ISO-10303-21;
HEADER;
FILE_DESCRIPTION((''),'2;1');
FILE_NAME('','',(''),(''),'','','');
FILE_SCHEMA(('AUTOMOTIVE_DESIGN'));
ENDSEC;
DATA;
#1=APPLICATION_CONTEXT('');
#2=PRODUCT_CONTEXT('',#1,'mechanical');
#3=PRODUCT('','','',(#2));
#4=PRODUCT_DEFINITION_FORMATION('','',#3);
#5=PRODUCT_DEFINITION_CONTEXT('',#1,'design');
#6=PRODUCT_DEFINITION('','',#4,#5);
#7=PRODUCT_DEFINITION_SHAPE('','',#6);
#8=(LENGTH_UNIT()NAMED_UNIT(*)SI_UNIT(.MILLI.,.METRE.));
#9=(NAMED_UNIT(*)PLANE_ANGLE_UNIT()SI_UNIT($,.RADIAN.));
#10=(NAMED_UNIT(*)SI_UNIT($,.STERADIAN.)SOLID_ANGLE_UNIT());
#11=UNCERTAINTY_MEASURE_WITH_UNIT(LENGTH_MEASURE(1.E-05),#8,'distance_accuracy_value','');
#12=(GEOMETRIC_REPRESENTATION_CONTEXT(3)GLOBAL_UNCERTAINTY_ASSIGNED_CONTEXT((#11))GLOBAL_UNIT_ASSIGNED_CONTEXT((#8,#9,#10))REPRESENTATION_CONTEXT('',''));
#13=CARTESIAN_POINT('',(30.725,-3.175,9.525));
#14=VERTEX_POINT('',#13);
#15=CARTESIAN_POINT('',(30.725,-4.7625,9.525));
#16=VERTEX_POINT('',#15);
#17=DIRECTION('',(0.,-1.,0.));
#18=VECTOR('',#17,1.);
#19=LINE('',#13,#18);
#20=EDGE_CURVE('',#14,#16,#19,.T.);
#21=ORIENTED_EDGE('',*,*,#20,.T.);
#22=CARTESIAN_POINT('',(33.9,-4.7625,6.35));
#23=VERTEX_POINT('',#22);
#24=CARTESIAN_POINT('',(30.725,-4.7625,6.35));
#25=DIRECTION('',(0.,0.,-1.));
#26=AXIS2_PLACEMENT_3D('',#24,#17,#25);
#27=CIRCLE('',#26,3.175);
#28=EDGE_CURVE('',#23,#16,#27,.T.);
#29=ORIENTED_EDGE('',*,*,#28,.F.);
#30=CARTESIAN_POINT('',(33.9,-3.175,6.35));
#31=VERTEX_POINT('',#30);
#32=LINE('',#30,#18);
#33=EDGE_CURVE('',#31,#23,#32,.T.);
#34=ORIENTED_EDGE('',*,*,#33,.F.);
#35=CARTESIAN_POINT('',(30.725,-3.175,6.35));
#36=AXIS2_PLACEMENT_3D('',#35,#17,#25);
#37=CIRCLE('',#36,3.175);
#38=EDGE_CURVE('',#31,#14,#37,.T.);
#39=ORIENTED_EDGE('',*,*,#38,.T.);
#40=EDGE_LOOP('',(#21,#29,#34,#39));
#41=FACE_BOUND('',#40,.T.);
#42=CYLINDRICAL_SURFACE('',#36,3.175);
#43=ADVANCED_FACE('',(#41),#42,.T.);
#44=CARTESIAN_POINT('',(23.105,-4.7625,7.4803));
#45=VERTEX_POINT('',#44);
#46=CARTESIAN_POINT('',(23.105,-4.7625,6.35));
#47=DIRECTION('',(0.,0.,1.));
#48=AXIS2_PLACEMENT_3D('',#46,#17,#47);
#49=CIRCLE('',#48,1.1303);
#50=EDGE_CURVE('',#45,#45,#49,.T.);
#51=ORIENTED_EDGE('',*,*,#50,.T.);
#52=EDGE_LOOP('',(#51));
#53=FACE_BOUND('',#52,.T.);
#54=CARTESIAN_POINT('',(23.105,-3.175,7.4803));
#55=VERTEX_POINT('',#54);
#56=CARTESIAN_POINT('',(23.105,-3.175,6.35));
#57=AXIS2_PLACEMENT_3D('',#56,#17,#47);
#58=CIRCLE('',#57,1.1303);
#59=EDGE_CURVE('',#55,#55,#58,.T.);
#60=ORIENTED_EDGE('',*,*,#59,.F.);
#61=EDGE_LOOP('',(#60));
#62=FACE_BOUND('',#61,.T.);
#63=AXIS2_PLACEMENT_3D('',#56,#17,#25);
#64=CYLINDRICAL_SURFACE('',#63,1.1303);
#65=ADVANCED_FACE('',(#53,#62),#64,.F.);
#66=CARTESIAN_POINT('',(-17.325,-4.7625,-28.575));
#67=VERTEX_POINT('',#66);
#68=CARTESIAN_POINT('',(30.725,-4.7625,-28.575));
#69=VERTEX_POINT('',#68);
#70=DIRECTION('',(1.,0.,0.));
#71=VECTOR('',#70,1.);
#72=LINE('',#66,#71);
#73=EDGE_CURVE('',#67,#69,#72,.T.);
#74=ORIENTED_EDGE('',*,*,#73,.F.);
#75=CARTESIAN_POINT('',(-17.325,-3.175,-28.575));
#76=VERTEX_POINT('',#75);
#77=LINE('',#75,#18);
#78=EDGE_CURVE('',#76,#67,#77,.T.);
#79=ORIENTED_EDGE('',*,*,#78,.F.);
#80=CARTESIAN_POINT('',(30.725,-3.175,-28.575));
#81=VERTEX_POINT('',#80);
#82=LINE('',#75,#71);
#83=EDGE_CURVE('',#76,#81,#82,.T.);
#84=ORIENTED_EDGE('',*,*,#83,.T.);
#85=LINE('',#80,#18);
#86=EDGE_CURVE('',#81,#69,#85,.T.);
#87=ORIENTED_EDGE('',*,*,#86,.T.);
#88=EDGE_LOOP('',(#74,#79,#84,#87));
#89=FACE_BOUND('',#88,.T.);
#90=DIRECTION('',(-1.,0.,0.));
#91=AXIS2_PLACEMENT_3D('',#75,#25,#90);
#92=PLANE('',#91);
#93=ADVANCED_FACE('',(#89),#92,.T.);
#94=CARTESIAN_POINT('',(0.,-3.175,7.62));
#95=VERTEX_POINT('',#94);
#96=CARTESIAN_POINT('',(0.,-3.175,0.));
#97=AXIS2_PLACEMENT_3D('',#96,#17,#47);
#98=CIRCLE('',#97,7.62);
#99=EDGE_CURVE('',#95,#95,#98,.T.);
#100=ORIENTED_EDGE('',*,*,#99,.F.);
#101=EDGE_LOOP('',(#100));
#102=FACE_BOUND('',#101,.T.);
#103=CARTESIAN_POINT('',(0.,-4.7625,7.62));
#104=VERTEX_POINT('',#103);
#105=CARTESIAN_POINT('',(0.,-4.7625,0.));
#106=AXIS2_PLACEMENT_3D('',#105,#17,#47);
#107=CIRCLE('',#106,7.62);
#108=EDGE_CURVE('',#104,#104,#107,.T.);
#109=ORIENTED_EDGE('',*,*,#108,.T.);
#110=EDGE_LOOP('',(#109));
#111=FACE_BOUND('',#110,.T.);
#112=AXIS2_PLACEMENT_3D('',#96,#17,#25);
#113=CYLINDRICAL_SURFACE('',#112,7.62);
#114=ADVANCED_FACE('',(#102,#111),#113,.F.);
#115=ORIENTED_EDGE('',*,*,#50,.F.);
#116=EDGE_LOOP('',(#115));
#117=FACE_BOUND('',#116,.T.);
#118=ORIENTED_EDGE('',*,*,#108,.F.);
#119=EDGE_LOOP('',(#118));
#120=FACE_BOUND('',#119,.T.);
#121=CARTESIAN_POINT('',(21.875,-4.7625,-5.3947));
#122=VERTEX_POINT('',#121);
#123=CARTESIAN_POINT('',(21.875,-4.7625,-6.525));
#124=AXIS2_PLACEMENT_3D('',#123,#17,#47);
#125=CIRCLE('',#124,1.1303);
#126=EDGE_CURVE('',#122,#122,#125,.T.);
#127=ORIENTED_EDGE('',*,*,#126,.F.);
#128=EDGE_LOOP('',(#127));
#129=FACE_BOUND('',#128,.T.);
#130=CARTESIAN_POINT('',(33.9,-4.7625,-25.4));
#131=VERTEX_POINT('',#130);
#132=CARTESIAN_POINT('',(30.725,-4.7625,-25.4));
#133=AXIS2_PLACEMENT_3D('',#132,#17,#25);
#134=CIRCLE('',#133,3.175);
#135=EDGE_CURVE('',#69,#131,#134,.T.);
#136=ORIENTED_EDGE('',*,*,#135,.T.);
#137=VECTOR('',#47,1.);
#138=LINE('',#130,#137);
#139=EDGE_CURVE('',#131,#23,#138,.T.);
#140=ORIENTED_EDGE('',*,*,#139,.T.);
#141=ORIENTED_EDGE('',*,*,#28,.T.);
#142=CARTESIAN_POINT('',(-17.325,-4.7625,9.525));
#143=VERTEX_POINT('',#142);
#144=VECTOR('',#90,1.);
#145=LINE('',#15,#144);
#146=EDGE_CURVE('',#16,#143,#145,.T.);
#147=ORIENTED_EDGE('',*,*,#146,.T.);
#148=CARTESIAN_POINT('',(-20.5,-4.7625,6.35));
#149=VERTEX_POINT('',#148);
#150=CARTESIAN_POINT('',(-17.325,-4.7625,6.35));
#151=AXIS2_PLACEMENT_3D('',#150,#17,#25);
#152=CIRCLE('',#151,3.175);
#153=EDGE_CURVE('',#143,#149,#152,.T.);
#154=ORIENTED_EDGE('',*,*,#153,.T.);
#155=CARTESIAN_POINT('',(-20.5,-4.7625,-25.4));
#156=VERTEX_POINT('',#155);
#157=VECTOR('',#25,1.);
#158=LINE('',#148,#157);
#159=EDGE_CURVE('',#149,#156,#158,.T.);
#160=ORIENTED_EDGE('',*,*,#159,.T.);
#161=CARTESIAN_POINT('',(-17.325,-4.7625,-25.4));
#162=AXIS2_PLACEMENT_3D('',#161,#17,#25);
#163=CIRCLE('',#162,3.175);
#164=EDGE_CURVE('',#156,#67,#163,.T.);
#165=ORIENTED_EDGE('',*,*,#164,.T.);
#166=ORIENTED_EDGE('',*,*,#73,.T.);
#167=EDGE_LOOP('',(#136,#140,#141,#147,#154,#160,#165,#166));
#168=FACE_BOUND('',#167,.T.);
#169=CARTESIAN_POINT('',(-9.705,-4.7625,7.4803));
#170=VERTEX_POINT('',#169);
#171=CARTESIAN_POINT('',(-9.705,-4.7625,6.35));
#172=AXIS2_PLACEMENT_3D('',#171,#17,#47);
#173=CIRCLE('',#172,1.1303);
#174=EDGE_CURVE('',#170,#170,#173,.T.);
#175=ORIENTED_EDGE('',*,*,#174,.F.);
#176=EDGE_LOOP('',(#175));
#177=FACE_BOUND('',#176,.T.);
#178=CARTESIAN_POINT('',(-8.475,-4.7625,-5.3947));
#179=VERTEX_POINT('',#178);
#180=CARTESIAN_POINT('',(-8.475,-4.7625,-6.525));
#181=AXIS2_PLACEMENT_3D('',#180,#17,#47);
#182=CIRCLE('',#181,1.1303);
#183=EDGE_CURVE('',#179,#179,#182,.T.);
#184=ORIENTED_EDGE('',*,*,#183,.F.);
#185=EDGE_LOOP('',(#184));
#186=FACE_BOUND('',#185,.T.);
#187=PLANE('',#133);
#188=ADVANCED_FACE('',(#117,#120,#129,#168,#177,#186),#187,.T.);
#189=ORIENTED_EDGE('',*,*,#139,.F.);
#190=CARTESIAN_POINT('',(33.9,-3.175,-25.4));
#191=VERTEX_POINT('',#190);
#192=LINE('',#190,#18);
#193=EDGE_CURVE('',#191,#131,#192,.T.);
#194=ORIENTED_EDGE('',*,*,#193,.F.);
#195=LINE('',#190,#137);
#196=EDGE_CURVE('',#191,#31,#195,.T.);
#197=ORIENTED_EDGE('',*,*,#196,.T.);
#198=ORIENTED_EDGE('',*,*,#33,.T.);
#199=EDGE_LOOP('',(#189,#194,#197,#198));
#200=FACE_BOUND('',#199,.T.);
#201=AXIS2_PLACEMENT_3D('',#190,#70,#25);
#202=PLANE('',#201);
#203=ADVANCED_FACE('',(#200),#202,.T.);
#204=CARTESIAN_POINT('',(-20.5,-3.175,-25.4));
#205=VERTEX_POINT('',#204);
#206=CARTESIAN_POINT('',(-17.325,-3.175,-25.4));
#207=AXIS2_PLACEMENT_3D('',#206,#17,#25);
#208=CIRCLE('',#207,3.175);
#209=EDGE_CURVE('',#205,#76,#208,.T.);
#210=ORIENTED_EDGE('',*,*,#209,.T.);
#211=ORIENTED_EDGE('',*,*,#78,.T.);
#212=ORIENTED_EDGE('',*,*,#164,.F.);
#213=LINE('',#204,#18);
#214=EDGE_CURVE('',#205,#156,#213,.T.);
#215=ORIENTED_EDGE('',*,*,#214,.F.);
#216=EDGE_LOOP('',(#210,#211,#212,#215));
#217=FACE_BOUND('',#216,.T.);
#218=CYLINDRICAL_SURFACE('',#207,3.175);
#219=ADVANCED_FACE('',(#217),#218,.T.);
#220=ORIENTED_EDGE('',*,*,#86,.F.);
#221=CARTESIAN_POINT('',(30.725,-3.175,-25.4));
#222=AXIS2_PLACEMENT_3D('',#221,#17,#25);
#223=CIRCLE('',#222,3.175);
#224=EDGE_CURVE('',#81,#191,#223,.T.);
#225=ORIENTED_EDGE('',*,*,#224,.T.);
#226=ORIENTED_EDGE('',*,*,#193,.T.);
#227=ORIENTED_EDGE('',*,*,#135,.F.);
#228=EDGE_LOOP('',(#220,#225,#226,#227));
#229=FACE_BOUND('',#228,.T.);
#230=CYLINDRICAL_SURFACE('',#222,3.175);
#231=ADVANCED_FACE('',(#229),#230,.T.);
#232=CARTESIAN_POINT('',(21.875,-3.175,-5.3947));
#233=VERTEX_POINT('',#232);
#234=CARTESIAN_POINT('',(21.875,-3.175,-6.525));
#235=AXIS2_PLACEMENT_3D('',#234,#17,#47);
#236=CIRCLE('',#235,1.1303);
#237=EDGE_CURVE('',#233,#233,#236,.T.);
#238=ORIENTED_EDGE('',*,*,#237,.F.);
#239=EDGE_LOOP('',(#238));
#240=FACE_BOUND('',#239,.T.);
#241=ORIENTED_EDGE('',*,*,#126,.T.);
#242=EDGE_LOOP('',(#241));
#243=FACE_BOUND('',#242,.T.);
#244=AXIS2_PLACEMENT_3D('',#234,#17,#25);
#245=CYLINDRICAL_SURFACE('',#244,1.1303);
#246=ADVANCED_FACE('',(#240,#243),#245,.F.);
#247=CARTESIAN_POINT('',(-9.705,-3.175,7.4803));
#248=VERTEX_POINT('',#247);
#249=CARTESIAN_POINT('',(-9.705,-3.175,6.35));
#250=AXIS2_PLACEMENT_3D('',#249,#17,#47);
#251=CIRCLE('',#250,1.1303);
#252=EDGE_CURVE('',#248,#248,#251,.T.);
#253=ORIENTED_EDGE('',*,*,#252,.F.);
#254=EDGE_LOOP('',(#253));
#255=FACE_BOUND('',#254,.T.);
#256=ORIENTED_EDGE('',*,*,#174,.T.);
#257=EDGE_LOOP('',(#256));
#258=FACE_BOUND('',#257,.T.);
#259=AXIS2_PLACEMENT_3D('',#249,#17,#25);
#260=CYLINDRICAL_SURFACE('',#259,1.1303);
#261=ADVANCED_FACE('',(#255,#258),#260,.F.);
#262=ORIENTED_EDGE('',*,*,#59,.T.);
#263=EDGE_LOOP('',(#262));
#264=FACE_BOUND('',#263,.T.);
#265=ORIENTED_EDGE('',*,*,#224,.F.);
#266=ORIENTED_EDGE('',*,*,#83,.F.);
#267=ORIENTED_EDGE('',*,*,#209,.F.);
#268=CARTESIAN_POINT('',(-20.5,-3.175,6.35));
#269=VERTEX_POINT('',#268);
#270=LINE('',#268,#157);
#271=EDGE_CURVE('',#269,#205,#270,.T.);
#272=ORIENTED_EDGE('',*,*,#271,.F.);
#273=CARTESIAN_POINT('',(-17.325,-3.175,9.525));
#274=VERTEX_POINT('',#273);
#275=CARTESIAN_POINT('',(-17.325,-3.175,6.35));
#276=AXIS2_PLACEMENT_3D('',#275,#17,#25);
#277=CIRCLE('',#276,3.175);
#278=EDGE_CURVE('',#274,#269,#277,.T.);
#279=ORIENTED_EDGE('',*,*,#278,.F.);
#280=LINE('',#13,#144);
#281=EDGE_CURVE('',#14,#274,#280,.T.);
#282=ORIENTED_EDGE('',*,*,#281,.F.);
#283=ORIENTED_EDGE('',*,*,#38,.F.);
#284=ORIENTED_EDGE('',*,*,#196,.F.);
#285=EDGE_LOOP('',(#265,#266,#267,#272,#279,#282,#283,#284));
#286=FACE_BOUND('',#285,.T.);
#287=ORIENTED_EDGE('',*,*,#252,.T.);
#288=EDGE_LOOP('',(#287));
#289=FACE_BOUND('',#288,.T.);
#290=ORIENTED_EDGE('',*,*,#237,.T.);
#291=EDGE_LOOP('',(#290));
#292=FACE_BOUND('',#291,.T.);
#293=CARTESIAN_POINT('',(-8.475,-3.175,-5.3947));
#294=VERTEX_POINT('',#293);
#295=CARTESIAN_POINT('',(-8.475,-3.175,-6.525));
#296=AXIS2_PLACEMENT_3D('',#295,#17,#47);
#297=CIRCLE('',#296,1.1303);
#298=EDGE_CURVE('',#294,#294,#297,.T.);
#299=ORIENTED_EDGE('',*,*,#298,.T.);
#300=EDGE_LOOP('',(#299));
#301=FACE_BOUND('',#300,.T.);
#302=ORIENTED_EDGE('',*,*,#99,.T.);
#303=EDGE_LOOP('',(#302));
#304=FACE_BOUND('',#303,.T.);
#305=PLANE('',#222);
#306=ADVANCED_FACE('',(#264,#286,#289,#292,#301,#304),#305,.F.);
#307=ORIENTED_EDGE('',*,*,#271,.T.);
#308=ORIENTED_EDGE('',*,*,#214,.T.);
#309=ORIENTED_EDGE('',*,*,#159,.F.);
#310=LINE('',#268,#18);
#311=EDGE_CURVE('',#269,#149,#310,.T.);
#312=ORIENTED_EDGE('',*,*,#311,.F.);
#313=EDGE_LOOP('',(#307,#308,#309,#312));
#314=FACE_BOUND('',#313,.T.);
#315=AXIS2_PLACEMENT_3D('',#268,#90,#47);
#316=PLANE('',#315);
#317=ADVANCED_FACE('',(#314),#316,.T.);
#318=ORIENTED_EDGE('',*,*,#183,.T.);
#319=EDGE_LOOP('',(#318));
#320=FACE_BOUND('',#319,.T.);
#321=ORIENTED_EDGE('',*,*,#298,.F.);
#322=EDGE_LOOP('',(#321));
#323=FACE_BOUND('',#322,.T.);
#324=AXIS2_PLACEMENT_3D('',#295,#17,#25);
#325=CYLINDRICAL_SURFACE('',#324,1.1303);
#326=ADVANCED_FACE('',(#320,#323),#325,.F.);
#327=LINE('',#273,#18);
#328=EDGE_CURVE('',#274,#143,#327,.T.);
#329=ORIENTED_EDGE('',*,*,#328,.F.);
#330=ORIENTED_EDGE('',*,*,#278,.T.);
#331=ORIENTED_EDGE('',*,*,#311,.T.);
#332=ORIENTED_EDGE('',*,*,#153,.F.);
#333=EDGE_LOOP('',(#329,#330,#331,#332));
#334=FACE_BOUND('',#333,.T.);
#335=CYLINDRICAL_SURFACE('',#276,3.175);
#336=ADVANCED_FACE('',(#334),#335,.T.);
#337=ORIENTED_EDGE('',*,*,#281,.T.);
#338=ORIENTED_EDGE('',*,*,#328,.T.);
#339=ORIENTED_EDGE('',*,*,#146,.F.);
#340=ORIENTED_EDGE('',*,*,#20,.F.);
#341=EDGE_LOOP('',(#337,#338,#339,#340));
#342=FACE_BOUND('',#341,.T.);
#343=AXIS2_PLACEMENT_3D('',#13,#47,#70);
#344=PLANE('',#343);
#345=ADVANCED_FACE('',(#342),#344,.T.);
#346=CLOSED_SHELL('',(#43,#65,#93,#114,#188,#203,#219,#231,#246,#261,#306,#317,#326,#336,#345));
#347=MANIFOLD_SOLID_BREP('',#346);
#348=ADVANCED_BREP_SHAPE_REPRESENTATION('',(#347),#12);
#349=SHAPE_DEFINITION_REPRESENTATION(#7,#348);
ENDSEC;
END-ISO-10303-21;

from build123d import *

# Parameters (mm, degrees)
SKETCH_1_R      = 7.62
SKETCH_1_R_2    = 1.1303
EXTRUDE_1_DEPTH = 1.5875


with BuildPart() as part:
    # 草图1 → 凸台-拉伸1 (new body)
    with BuildSketch(Plane.XZ.offset(4.7625)):
        with BuildLine():
            Line((33.9, -25.4), (33.9, 6.35))
            ThreePointArc((33.9, 6.35), (32.97006403, 8.59506403), (30.725, 9.525))
            Line((30.725, 9.525), (-17.325, 9.525))
            ThreePointArc((-17.325, 9.525), (-19.57006403, 8.59506403), (-20.5, 6.35))
            Line((-20.5, 6.35), (-20.5, -25.4))
            ThreePointArc((-20.5, -25.4), (-19.57006403, -27.64506403), (-17.325, -28.575))
            Line((-17.325, -28.575), (30.725, -28.575))
            ThreePointArc((30.725, -28.575), (32.97006403, -27.64506403), (33.9, -25.4))
        make_face()
        Circle(SKETCH_1_R, mode=Mode.SUBTRACT)
        with Locations((-9.705, 6.35)):
            Circle(SKETCH_1_R_2, mode=Mode.SUBTRACT)
        with Locations((23.105, 6.35)):
            Circle(SKETCH_1_R_2, mode=Mode.SUBTRACT)
        with Locations((21.875, -6.525)):
            Circle(SKETCH_1_R_2, mode=Mode.SUBTRACT)
        with Locations((-8.475, -6.525)):
            Circle(SKETCH_1_R_2, mode=Mode.SUBTRACT)
    extrude(amount=-EXTRUDE_1_DEPTH)


solid = part.part
